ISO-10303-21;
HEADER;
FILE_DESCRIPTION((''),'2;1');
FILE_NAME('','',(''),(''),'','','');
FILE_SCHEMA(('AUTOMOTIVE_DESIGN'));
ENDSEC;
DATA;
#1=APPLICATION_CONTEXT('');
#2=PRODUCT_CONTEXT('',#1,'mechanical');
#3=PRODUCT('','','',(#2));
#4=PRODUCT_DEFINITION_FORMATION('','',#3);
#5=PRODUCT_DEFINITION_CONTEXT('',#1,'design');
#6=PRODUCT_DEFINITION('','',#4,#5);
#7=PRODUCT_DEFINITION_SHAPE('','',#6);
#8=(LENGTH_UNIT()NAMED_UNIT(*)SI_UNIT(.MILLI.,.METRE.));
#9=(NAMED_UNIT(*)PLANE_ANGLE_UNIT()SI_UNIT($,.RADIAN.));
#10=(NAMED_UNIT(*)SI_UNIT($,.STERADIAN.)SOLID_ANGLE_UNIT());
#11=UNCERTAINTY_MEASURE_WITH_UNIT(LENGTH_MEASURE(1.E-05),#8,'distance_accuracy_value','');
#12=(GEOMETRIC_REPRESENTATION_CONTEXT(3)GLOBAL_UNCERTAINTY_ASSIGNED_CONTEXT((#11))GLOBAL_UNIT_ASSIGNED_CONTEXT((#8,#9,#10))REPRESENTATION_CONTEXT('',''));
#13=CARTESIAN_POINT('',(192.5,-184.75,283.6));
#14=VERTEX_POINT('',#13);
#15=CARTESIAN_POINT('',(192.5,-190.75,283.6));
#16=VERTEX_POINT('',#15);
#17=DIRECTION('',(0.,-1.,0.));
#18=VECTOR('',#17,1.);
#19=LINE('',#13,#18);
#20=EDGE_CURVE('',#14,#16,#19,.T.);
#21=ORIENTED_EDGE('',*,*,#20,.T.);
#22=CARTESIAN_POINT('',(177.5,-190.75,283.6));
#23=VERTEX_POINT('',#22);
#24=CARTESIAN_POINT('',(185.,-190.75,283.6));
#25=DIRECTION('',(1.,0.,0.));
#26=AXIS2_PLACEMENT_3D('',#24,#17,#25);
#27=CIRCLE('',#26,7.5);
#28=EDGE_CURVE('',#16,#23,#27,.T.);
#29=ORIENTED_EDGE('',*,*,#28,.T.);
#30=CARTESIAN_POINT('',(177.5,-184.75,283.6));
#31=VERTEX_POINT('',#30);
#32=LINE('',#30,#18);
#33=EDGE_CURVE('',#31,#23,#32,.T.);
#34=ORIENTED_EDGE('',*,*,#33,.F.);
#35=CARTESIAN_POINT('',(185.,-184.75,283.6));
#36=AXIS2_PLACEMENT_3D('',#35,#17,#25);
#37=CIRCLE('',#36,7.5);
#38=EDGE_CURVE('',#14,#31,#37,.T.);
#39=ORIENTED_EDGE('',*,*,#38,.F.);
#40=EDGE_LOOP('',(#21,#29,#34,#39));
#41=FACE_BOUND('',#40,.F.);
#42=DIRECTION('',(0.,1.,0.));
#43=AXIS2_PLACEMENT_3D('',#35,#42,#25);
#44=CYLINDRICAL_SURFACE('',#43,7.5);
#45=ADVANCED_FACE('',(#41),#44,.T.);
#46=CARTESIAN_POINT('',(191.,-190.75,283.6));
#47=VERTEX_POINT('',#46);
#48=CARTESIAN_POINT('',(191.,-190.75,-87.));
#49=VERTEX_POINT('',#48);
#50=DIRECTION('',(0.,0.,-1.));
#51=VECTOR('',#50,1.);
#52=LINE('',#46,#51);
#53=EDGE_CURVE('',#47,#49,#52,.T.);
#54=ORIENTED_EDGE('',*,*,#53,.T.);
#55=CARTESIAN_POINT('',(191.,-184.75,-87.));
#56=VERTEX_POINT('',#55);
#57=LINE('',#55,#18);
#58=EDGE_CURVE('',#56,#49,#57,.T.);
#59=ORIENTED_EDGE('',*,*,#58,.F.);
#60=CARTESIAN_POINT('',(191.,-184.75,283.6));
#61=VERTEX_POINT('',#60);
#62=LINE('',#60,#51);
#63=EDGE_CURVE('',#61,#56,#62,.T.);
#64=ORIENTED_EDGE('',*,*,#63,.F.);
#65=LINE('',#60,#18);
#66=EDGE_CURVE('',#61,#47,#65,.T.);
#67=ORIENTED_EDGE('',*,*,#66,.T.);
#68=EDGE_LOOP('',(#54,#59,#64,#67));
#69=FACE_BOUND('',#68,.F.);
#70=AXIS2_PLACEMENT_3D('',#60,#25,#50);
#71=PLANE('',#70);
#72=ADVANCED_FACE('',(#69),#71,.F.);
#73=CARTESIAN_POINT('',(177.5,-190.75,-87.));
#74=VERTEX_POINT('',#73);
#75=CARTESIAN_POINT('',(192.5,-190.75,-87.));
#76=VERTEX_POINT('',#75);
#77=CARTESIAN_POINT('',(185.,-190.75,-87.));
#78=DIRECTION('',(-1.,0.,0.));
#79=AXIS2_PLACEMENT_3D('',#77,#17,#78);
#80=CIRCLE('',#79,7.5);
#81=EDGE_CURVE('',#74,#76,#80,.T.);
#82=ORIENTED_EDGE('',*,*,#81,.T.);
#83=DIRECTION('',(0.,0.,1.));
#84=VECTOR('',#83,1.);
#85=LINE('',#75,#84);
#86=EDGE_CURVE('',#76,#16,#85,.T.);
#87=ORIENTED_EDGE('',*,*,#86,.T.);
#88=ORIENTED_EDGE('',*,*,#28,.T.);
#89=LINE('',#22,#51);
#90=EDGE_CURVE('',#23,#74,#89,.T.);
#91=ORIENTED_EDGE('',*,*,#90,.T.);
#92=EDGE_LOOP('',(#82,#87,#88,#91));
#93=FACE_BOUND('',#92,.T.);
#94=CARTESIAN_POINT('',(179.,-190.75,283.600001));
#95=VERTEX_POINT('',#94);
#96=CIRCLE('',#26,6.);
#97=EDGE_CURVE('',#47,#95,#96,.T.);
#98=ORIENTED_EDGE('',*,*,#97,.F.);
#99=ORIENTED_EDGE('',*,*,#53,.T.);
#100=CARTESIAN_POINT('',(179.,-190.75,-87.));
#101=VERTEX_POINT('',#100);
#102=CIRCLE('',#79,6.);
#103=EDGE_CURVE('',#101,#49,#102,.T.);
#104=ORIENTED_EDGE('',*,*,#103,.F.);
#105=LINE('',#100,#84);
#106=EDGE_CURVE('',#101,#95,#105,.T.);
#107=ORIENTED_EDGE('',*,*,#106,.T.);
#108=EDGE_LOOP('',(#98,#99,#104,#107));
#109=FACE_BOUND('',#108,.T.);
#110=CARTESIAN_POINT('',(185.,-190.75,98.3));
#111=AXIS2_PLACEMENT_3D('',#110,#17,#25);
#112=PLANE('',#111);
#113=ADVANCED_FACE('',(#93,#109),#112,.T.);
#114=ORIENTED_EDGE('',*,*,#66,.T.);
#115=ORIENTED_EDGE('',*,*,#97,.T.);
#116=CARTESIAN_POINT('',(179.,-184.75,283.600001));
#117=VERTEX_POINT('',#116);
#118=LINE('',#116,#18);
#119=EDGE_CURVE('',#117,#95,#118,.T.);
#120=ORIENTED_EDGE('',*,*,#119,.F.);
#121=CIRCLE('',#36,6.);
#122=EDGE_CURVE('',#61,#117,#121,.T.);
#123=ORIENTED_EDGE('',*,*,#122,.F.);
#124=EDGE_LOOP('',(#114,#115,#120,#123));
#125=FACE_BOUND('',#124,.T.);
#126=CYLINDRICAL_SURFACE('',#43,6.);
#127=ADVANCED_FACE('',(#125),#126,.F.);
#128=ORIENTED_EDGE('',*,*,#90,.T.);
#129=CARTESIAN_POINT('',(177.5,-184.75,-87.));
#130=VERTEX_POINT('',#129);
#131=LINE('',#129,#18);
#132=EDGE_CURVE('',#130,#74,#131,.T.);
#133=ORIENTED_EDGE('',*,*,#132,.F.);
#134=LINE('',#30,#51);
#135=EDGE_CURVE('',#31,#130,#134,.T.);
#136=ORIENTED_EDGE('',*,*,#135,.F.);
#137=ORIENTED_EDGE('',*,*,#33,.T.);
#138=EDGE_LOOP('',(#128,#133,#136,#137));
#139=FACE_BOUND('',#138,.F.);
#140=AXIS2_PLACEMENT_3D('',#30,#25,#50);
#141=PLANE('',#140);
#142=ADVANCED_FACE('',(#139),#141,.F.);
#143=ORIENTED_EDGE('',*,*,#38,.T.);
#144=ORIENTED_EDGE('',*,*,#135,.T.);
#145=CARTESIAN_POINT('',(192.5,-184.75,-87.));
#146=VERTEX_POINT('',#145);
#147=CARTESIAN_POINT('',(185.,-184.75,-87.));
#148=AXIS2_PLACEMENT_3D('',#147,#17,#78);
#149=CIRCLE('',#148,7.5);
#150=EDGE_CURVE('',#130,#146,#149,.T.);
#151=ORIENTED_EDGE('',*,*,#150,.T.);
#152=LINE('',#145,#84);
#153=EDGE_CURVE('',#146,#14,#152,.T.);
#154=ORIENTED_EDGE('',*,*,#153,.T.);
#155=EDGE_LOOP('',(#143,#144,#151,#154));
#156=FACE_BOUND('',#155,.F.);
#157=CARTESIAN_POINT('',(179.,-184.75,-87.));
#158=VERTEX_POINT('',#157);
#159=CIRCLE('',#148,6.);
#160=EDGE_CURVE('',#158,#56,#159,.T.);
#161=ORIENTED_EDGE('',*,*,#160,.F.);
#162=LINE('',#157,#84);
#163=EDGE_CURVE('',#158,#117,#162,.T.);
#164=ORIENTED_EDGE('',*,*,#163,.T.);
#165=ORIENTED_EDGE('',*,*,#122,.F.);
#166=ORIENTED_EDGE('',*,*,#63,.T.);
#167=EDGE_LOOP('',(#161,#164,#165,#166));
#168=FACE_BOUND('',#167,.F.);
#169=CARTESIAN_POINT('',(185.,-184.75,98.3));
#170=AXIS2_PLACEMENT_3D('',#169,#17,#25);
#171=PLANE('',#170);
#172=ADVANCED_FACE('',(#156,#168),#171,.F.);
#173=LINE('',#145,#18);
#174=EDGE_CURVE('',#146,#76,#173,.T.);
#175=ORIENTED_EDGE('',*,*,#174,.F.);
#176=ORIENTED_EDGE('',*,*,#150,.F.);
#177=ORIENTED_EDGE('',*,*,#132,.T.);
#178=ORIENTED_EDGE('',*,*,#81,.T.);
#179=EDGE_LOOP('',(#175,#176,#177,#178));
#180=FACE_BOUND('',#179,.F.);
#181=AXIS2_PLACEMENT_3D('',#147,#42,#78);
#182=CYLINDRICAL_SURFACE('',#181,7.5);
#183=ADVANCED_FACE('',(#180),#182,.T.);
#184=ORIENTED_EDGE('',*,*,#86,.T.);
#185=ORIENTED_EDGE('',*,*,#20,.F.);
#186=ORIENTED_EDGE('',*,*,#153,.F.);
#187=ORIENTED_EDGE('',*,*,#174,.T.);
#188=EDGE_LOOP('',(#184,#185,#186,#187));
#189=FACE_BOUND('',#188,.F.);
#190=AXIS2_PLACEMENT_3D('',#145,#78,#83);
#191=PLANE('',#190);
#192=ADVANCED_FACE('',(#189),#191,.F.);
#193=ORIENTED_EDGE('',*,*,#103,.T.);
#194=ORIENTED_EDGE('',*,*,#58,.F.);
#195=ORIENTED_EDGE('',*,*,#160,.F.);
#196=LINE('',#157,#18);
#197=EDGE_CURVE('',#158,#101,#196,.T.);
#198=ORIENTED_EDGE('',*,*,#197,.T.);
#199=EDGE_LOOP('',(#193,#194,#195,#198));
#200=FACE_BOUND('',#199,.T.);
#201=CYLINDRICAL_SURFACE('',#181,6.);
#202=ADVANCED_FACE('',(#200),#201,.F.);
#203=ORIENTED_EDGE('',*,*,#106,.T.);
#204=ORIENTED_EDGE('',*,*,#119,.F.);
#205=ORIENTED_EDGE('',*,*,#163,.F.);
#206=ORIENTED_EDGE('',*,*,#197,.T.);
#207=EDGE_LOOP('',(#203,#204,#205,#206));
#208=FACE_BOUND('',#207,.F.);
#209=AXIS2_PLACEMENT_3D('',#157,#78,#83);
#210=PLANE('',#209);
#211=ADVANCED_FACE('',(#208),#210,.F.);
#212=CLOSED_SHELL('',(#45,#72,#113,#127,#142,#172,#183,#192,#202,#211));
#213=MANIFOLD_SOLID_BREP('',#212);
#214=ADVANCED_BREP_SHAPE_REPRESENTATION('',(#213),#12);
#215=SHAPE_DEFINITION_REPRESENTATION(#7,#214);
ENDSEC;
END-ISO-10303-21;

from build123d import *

# Parameters (mm, degrees)
PAD_DEPTH = 6


with BuildPart() as part:
    # Sketch → Pad (new body)
    with BuildSketch(Plane.XZ):
        with BuildLine():
            ThreePointArc((7.5, 370.6), (0, 378.1), (-7.5, 370.6))
            Line((-7.5, 370.6), (-7.5, 0))
            ThreePointArc((-7.5, 0), (0, -7.5), (7.5, 0))
            Line((7.5, 0), (7.5, 370.6))
        make_face()
        with BuildLine():
            ThreePointArc((-6, 0), (0, -6), (6, 0))
            Line((6, 370.6), (6, 0))
            ThreePointArc((6, 370.6), (0, 376.6), (-6, 370.600001))
            Line((-6, 0), (-6, 370.600001))
        make_face(mode=Mode.SUBTRACT)
    extrude(amount=PAD_DEPTH)


with BuildPart() as part_1:
    # Body placement: moved
    add(part.part.moved(Location((185, -184.75, -87))))


solid = part_1.part
